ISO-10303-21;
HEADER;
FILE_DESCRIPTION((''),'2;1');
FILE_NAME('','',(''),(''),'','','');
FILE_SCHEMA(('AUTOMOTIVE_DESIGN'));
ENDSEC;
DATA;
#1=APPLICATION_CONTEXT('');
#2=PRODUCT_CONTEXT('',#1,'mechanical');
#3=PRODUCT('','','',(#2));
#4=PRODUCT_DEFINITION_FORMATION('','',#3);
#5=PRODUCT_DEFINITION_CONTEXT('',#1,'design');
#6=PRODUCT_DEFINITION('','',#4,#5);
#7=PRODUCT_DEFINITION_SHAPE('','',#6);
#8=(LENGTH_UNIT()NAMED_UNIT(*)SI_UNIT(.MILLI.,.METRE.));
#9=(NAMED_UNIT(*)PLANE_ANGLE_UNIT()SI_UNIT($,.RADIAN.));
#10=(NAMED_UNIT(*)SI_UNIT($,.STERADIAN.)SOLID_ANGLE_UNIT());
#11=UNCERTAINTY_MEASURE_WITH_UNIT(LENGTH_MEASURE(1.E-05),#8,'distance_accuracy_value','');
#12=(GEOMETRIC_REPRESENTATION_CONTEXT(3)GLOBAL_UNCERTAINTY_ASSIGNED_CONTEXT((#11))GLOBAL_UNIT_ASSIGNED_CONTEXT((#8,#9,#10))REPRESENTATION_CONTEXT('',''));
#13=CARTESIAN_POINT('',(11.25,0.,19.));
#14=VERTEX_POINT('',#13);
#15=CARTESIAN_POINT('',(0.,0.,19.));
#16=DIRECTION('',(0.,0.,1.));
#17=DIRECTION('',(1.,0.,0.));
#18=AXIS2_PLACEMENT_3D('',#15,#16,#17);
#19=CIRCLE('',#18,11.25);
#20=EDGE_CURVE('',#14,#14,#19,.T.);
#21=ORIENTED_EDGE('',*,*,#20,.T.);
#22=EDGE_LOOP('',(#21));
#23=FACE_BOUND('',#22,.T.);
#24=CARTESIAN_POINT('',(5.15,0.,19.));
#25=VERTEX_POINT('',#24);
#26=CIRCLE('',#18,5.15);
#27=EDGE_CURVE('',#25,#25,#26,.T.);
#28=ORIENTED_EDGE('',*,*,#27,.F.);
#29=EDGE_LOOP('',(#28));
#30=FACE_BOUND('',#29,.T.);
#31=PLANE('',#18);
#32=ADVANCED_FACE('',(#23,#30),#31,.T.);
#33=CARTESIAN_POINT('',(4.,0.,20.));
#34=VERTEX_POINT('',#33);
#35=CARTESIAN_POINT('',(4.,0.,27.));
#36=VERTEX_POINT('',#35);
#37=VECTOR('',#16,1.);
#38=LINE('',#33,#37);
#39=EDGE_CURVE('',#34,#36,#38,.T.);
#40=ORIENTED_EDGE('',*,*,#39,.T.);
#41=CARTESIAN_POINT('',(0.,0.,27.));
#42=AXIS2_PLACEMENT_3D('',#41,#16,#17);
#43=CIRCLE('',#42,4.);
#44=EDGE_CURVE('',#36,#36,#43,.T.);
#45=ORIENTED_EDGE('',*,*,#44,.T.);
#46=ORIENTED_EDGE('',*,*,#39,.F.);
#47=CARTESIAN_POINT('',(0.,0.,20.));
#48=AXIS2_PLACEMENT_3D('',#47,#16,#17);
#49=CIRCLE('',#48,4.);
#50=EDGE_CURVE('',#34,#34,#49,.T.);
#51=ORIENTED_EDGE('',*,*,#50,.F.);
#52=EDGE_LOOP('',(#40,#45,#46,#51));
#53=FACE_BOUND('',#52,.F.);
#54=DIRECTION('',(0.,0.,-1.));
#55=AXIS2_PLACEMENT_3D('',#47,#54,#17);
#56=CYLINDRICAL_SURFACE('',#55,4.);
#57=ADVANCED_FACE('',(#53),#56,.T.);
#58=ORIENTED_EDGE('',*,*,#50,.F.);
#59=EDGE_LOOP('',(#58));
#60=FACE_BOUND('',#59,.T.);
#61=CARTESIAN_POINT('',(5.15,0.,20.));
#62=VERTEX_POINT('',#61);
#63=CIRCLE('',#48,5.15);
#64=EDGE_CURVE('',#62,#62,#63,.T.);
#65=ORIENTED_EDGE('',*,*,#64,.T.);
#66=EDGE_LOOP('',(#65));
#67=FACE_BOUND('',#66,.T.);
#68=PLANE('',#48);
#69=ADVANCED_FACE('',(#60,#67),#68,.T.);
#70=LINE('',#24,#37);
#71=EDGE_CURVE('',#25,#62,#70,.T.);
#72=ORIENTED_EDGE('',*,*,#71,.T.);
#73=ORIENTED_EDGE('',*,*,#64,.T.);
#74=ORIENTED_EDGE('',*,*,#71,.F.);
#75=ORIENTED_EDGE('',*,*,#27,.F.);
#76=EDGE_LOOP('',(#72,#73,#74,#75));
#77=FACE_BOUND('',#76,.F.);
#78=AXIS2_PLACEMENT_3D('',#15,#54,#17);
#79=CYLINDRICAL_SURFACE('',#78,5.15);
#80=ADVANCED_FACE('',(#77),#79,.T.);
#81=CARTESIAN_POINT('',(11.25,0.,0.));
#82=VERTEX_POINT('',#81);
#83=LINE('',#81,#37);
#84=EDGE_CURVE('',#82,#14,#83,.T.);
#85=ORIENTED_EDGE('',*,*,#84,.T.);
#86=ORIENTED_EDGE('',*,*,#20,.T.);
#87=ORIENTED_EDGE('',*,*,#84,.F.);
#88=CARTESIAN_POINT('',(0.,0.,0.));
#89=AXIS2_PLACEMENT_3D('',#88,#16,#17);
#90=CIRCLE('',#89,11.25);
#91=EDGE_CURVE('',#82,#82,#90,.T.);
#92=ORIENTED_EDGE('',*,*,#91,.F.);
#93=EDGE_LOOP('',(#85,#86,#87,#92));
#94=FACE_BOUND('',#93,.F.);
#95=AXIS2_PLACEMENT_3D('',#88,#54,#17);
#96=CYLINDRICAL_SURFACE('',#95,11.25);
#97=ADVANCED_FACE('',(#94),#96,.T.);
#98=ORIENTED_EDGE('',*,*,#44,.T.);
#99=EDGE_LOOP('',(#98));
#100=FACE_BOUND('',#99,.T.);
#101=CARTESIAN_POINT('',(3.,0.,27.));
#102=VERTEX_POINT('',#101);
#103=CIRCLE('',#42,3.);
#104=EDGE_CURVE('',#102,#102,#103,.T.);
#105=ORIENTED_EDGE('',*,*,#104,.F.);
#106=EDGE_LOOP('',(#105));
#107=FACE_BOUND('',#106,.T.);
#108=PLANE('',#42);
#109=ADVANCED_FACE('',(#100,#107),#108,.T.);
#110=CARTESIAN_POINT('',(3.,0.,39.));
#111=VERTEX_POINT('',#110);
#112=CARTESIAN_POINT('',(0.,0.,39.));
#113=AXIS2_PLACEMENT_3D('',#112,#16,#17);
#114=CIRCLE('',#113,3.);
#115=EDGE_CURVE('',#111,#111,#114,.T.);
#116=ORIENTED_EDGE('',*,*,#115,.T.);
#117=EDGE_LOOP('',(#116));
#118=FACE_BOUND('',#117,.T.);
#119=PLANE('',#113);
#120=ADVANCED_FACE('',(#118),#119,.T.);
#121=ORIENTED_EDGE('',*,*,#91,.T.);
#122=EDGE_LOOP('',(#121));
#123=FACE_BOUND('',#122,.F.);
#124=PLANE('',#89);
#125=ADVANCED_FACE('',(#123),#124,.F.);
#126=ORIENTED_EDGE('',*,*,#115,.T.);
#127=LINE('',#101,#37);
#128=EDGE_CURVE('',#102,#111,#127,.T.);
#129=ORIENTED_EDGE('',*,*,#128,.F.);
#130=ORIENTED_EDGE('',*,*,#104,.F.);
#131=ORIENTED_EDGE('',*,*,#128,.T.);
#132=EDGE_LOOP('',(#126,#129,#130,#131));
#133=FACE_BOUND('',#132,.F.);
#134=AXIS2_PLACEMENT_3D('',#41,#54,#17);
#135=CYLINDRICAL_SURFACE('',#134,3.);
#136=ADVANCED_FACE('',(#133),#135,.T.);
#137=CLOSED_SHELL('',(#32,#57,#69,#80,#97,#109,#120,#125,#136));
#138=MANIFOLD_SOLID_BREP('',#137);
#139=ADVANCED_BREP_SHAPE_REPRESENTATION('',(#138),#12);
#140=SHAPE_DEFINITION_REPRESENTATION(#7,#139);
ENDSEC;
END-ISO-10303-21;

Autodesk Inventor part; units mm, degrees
ref_plane "YZ Plane" through (0, 0, 0) normal (1, 0, 0) x (0, 1, 0)
ref_plane "XZ Plane" through (0, 0, 0) normal (0, 1, 0) x (-1, 0, 0)
ref_plane "XY Plane" through (0, 0, 0) normal (0, 0, 1) x (1, 0, 0)
sketch "スケッチ1" plane through (0, 0, 0) normal (0, 0, 1) x (1, 0, 0)
  circle A0 centre (0, 0) radius 11.25
  dimension "d0" = 22.5
extrude "押し出し1" add sketch "スケッチ1" along normal blind 19
sketch "スケッチ2" plane through (0, 0, 19) normal (0, 0, 1) x (1, 0, 0)
  circle A0 centre (0, 0) radius 11.25 projected
  circle A1 centre (0, 0) radius 5.15
  dimension "d3" = 10.3
extrude "押し出し2" add sketch "スケッチ2" along normal blind 1 contours A1
sketch "スケッチ3" plane through (0, 0, 20) normal (0, 0, 1) x (1, 0, 0)
  circle A0 centre (0, 0) radius 5.15 projected
  circle A1 centre (0, 0) radius 4
  dimension "d6" = 8
extrude "押し出し3" add sketch "スケッチ3" along normal blind 7 contours A1
sketch "スケッチ4" plane through (0, 0, 27) normal (0, 0, 1) x (1, 0, 0)
  circle A0 centre (0, 0) radius 4 projected
  circle A1 centre (0, 0) radius 3
  dimension "d9" = 6
extrude "押し出し4" add sketch "スケッチ4" along normal blind 12 contours A1
thread "ねじ1" size "M9x1.25" class "6g" standard "ANSI Metric M Profile" full length
properties part number "ポテンションメーター_ＢＩ-７２８４_rev2"
